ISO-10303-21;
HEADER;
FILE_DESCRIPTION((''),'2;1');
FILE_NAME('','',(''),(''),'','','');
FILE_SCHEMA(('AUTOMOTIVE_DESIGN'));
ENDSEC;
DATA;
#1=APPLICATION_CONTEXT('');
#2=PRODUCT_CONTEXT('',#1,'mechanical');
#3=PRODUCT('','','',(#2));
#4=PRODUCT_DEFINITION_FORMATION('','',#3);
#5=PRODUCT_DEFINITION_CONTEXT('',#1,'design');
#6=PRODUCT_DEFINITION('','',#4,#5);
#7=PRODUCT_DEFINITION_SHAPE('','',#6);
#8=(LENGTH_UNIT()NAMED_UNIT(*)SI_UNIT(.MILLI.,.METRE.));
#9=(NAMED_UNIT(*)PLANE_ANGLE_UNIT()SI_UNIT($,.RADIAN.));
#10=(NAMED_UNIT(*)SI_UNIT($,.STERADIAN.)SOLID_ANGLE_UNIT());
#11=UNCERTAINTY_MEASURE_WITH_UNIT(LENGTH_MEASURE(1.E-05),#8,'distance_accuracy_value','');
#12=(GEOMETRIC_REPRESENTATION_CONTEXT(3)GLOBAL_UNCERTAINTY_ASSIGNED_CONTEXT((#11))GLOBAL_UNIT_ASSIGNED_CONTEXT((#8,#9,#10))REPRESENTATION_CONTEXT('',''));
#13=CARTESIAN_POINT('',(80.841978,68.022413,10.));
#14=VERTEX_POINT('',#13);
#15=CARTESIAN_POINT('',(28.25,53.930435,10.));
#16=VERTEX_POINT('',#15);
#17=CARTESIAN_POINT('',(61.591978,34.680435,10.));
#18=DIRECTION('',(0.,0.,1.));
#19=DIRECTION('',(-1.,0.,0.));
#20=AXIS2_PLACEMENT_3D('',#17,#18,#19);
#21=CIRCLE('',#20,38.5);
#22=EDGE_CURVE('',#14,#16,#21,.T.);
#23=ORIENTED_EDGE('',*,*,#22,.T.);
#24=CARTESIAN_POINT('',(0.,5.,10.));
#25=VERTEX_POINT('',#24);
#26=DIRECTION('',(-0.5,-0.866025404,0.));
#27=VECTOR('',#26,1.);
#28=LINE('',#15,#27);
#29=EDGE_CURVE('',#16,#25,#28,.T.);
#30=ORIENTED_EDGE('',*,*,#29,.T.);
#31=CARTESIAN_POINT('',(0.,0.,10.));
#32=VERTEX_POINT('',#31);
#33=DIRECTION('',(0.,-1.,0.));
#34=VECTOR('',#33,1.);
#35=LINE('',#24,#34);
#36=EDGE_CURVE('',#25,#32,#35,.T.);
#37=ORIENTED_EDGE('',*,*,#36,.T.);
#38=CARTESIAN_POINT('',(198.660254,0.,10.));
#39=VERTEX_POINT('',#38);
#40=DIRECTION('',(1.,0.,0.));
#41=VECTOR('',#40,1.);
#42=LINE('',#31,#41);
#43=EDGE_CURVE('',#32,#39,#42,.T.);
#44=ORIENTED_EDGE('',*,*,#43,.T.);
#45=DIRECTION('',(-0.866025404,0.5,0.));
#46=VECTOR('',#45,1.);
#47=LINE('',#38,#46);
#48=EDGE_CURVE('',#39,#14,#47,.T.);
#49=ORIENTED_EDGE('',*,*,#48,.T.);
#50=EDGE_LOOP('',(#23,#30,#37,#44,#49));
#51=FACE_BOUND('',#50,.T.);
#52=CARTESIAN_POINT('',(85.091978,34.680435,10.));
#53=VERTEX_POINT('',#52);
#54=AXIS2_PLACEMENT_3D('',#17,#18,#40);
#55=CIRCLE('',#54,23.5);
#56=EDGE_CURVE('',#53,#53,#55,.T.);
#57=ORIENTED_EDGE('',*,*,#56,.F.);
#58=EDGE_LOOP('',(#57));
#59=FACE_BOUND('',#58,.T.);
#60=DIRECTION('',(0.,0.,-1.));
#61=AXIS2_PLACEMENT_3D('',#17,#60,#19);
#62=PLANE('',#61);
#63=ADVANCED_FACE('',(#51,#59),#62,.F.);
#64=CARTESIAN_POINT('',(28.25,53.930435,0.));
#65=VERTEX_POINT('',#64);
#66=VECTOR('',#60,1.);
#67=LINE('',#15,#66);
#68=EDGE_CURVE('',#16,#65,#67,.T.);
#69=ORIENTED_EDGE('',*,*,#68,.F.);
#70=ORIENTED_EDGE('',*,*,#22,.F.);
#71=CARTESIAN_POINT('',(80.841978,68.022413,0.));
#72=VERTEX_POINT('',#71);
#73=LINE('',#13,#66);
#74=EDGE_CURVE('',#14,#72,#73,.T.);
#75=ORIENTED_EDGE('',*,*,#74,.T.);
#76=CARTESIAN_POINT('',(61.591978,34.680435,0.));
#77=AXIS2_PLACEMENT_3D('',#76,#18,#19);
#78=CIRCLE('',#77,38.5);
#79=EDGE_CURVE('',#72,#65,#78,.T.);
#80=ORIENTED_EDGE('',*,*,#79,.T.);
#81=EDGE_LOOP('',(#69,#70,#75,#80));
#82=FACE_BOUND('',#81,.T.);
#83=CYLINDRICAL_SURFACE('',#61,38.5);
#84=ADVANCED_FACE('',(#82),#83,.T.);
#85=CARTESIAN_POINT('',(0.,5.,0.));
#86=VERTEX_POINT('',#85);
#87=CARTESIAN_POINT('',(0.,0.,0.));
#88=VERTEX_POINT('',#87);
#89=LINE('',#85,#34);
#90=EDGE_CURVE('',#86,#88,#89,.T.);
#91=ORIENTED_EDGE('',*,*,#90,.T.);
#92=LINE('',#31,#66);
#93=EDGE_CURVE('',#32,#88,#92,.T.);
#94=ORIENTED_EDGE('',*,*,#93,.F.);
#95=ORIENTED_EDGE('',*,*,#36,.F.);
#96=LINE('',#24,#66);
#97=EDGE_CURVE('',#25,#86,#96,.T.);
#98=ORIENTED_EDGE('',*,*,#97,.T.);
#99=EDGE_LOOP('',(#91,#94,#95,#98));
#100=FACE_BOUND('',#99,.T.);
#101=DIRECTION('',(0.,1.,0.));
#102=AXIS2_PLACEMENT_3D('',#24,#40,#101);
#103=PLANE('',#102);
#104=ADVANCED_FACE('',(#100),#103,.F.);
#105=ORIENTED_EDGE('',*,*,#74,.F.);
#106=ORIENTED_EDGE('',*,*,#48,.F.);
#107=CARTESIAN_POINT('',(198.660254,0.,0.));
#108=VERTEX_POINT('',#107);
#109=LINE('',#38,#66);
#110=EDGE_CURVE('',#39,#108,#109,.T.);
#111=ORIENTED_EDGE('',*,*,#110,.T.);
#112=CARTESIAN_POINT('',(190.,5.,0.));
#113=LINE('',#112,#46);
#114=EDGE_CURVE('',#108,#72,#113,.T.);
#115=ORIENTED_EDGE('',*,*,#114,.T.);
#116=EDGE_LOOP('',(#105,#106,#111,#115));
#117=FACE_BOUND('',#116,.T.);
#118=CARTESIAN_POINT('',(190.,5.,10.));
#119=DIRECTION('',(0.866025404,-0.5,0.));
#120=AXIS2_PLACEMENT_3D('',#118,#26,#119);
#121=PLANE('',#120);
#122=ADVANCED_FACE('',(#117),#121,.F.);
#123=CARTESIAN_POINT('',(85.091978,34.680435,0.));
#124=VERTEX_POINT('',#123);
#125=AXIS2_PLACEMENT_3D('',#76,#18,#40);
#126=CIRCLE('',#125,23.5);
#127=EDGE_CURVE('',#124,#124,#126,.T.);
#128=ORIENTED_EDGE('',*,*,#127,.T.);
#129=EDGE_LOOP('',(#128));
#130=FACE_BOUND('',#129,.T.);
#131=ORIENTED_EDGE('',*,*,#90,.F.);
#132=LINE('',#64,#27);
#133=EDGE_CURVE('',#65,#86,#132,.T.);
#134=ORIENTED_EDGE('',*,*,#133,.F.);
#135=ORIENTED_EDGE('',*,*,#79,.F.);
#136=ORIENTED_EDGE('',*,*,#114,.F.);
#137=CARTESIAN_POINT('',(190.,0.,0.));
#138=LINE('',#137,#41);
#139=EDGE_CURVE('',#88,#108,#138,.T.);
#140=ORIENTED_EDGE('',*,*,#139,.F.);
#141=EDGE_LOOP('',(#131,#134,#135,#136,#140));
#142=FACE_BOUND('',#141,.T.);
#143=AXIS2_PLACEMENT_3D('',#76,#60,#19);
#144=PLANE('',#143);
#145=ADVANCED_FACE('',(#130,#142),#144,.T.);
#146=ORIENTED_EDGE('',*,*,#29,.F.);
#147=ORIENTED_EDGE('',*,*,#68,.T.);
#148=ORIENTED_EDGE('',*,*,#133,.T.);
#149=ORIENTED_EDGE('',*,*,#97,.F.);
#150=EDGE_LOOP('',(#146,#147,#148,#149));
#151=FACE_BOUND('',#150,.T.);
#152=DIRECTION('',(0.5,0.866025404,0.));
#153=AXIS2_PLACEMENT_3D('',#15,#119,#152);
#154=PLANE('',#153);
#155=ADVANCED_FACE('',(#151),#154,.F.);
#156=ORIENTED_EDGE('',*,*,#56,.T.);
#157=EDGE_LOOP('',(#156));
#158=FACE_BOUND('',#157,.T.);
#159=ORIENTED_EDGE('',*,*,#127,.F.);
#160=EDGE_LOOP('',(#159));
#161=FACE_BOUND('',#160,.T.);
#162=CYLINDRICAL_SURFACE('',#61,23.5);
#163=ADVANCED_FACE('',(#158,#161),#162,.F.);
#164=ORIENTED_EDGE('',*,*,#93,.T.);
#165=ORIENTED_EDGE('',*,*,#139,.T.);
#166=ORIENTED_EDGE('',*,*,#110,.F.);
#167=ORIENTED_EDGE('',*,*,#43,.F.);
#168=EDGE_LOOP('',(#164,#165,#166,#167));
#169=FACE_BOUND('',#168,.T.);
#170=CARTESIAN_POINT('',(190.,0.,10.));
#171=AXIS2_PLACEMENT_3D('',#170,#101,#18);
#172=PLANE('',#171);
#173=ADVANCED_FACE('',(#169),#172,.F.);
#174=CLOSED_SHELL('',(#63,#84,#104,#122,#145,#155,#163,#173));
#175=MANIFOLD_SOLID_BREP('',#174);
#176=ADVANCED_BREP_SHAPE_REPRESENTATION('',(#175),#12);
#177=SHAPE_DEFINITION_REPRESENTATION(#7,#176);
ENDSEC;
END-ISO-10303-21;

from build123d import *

# Parameters (mm, degrees)
ESQUISSE1_R        = 23.5
BOSS_EXTRU_1_DEPTH = 10


with BuildPart() as part:
    # Esquisse1 → Boss.-Extru.1 (new body)
    with BuildSketch(Plane.XY):
        with BuildLine():
            Line((0, 0), (190, 0))
            Line((190, 0), (198.660254038, 0))
            Line((198.660254038, 0), (190, 5))
            Line((190, 5), (80.841978046, 68.02241336))
            ThreePointArc((80.841978046, 68.02241336), (51.627444809, 71.868579626), (28.25, 53.930435314))
            Line((28.25, 53.930435314), (0, 5))
            Line((0, 5), (0, 0))
        make_face()
        with Locations((61.591978046, 34.680435314)):
            Circle(ESQUISSE1_R, mode=Mode.SUBTRACT)
    extrude(amount=BOSS_EXTRU_1_DEPTH)


solid = part.part
